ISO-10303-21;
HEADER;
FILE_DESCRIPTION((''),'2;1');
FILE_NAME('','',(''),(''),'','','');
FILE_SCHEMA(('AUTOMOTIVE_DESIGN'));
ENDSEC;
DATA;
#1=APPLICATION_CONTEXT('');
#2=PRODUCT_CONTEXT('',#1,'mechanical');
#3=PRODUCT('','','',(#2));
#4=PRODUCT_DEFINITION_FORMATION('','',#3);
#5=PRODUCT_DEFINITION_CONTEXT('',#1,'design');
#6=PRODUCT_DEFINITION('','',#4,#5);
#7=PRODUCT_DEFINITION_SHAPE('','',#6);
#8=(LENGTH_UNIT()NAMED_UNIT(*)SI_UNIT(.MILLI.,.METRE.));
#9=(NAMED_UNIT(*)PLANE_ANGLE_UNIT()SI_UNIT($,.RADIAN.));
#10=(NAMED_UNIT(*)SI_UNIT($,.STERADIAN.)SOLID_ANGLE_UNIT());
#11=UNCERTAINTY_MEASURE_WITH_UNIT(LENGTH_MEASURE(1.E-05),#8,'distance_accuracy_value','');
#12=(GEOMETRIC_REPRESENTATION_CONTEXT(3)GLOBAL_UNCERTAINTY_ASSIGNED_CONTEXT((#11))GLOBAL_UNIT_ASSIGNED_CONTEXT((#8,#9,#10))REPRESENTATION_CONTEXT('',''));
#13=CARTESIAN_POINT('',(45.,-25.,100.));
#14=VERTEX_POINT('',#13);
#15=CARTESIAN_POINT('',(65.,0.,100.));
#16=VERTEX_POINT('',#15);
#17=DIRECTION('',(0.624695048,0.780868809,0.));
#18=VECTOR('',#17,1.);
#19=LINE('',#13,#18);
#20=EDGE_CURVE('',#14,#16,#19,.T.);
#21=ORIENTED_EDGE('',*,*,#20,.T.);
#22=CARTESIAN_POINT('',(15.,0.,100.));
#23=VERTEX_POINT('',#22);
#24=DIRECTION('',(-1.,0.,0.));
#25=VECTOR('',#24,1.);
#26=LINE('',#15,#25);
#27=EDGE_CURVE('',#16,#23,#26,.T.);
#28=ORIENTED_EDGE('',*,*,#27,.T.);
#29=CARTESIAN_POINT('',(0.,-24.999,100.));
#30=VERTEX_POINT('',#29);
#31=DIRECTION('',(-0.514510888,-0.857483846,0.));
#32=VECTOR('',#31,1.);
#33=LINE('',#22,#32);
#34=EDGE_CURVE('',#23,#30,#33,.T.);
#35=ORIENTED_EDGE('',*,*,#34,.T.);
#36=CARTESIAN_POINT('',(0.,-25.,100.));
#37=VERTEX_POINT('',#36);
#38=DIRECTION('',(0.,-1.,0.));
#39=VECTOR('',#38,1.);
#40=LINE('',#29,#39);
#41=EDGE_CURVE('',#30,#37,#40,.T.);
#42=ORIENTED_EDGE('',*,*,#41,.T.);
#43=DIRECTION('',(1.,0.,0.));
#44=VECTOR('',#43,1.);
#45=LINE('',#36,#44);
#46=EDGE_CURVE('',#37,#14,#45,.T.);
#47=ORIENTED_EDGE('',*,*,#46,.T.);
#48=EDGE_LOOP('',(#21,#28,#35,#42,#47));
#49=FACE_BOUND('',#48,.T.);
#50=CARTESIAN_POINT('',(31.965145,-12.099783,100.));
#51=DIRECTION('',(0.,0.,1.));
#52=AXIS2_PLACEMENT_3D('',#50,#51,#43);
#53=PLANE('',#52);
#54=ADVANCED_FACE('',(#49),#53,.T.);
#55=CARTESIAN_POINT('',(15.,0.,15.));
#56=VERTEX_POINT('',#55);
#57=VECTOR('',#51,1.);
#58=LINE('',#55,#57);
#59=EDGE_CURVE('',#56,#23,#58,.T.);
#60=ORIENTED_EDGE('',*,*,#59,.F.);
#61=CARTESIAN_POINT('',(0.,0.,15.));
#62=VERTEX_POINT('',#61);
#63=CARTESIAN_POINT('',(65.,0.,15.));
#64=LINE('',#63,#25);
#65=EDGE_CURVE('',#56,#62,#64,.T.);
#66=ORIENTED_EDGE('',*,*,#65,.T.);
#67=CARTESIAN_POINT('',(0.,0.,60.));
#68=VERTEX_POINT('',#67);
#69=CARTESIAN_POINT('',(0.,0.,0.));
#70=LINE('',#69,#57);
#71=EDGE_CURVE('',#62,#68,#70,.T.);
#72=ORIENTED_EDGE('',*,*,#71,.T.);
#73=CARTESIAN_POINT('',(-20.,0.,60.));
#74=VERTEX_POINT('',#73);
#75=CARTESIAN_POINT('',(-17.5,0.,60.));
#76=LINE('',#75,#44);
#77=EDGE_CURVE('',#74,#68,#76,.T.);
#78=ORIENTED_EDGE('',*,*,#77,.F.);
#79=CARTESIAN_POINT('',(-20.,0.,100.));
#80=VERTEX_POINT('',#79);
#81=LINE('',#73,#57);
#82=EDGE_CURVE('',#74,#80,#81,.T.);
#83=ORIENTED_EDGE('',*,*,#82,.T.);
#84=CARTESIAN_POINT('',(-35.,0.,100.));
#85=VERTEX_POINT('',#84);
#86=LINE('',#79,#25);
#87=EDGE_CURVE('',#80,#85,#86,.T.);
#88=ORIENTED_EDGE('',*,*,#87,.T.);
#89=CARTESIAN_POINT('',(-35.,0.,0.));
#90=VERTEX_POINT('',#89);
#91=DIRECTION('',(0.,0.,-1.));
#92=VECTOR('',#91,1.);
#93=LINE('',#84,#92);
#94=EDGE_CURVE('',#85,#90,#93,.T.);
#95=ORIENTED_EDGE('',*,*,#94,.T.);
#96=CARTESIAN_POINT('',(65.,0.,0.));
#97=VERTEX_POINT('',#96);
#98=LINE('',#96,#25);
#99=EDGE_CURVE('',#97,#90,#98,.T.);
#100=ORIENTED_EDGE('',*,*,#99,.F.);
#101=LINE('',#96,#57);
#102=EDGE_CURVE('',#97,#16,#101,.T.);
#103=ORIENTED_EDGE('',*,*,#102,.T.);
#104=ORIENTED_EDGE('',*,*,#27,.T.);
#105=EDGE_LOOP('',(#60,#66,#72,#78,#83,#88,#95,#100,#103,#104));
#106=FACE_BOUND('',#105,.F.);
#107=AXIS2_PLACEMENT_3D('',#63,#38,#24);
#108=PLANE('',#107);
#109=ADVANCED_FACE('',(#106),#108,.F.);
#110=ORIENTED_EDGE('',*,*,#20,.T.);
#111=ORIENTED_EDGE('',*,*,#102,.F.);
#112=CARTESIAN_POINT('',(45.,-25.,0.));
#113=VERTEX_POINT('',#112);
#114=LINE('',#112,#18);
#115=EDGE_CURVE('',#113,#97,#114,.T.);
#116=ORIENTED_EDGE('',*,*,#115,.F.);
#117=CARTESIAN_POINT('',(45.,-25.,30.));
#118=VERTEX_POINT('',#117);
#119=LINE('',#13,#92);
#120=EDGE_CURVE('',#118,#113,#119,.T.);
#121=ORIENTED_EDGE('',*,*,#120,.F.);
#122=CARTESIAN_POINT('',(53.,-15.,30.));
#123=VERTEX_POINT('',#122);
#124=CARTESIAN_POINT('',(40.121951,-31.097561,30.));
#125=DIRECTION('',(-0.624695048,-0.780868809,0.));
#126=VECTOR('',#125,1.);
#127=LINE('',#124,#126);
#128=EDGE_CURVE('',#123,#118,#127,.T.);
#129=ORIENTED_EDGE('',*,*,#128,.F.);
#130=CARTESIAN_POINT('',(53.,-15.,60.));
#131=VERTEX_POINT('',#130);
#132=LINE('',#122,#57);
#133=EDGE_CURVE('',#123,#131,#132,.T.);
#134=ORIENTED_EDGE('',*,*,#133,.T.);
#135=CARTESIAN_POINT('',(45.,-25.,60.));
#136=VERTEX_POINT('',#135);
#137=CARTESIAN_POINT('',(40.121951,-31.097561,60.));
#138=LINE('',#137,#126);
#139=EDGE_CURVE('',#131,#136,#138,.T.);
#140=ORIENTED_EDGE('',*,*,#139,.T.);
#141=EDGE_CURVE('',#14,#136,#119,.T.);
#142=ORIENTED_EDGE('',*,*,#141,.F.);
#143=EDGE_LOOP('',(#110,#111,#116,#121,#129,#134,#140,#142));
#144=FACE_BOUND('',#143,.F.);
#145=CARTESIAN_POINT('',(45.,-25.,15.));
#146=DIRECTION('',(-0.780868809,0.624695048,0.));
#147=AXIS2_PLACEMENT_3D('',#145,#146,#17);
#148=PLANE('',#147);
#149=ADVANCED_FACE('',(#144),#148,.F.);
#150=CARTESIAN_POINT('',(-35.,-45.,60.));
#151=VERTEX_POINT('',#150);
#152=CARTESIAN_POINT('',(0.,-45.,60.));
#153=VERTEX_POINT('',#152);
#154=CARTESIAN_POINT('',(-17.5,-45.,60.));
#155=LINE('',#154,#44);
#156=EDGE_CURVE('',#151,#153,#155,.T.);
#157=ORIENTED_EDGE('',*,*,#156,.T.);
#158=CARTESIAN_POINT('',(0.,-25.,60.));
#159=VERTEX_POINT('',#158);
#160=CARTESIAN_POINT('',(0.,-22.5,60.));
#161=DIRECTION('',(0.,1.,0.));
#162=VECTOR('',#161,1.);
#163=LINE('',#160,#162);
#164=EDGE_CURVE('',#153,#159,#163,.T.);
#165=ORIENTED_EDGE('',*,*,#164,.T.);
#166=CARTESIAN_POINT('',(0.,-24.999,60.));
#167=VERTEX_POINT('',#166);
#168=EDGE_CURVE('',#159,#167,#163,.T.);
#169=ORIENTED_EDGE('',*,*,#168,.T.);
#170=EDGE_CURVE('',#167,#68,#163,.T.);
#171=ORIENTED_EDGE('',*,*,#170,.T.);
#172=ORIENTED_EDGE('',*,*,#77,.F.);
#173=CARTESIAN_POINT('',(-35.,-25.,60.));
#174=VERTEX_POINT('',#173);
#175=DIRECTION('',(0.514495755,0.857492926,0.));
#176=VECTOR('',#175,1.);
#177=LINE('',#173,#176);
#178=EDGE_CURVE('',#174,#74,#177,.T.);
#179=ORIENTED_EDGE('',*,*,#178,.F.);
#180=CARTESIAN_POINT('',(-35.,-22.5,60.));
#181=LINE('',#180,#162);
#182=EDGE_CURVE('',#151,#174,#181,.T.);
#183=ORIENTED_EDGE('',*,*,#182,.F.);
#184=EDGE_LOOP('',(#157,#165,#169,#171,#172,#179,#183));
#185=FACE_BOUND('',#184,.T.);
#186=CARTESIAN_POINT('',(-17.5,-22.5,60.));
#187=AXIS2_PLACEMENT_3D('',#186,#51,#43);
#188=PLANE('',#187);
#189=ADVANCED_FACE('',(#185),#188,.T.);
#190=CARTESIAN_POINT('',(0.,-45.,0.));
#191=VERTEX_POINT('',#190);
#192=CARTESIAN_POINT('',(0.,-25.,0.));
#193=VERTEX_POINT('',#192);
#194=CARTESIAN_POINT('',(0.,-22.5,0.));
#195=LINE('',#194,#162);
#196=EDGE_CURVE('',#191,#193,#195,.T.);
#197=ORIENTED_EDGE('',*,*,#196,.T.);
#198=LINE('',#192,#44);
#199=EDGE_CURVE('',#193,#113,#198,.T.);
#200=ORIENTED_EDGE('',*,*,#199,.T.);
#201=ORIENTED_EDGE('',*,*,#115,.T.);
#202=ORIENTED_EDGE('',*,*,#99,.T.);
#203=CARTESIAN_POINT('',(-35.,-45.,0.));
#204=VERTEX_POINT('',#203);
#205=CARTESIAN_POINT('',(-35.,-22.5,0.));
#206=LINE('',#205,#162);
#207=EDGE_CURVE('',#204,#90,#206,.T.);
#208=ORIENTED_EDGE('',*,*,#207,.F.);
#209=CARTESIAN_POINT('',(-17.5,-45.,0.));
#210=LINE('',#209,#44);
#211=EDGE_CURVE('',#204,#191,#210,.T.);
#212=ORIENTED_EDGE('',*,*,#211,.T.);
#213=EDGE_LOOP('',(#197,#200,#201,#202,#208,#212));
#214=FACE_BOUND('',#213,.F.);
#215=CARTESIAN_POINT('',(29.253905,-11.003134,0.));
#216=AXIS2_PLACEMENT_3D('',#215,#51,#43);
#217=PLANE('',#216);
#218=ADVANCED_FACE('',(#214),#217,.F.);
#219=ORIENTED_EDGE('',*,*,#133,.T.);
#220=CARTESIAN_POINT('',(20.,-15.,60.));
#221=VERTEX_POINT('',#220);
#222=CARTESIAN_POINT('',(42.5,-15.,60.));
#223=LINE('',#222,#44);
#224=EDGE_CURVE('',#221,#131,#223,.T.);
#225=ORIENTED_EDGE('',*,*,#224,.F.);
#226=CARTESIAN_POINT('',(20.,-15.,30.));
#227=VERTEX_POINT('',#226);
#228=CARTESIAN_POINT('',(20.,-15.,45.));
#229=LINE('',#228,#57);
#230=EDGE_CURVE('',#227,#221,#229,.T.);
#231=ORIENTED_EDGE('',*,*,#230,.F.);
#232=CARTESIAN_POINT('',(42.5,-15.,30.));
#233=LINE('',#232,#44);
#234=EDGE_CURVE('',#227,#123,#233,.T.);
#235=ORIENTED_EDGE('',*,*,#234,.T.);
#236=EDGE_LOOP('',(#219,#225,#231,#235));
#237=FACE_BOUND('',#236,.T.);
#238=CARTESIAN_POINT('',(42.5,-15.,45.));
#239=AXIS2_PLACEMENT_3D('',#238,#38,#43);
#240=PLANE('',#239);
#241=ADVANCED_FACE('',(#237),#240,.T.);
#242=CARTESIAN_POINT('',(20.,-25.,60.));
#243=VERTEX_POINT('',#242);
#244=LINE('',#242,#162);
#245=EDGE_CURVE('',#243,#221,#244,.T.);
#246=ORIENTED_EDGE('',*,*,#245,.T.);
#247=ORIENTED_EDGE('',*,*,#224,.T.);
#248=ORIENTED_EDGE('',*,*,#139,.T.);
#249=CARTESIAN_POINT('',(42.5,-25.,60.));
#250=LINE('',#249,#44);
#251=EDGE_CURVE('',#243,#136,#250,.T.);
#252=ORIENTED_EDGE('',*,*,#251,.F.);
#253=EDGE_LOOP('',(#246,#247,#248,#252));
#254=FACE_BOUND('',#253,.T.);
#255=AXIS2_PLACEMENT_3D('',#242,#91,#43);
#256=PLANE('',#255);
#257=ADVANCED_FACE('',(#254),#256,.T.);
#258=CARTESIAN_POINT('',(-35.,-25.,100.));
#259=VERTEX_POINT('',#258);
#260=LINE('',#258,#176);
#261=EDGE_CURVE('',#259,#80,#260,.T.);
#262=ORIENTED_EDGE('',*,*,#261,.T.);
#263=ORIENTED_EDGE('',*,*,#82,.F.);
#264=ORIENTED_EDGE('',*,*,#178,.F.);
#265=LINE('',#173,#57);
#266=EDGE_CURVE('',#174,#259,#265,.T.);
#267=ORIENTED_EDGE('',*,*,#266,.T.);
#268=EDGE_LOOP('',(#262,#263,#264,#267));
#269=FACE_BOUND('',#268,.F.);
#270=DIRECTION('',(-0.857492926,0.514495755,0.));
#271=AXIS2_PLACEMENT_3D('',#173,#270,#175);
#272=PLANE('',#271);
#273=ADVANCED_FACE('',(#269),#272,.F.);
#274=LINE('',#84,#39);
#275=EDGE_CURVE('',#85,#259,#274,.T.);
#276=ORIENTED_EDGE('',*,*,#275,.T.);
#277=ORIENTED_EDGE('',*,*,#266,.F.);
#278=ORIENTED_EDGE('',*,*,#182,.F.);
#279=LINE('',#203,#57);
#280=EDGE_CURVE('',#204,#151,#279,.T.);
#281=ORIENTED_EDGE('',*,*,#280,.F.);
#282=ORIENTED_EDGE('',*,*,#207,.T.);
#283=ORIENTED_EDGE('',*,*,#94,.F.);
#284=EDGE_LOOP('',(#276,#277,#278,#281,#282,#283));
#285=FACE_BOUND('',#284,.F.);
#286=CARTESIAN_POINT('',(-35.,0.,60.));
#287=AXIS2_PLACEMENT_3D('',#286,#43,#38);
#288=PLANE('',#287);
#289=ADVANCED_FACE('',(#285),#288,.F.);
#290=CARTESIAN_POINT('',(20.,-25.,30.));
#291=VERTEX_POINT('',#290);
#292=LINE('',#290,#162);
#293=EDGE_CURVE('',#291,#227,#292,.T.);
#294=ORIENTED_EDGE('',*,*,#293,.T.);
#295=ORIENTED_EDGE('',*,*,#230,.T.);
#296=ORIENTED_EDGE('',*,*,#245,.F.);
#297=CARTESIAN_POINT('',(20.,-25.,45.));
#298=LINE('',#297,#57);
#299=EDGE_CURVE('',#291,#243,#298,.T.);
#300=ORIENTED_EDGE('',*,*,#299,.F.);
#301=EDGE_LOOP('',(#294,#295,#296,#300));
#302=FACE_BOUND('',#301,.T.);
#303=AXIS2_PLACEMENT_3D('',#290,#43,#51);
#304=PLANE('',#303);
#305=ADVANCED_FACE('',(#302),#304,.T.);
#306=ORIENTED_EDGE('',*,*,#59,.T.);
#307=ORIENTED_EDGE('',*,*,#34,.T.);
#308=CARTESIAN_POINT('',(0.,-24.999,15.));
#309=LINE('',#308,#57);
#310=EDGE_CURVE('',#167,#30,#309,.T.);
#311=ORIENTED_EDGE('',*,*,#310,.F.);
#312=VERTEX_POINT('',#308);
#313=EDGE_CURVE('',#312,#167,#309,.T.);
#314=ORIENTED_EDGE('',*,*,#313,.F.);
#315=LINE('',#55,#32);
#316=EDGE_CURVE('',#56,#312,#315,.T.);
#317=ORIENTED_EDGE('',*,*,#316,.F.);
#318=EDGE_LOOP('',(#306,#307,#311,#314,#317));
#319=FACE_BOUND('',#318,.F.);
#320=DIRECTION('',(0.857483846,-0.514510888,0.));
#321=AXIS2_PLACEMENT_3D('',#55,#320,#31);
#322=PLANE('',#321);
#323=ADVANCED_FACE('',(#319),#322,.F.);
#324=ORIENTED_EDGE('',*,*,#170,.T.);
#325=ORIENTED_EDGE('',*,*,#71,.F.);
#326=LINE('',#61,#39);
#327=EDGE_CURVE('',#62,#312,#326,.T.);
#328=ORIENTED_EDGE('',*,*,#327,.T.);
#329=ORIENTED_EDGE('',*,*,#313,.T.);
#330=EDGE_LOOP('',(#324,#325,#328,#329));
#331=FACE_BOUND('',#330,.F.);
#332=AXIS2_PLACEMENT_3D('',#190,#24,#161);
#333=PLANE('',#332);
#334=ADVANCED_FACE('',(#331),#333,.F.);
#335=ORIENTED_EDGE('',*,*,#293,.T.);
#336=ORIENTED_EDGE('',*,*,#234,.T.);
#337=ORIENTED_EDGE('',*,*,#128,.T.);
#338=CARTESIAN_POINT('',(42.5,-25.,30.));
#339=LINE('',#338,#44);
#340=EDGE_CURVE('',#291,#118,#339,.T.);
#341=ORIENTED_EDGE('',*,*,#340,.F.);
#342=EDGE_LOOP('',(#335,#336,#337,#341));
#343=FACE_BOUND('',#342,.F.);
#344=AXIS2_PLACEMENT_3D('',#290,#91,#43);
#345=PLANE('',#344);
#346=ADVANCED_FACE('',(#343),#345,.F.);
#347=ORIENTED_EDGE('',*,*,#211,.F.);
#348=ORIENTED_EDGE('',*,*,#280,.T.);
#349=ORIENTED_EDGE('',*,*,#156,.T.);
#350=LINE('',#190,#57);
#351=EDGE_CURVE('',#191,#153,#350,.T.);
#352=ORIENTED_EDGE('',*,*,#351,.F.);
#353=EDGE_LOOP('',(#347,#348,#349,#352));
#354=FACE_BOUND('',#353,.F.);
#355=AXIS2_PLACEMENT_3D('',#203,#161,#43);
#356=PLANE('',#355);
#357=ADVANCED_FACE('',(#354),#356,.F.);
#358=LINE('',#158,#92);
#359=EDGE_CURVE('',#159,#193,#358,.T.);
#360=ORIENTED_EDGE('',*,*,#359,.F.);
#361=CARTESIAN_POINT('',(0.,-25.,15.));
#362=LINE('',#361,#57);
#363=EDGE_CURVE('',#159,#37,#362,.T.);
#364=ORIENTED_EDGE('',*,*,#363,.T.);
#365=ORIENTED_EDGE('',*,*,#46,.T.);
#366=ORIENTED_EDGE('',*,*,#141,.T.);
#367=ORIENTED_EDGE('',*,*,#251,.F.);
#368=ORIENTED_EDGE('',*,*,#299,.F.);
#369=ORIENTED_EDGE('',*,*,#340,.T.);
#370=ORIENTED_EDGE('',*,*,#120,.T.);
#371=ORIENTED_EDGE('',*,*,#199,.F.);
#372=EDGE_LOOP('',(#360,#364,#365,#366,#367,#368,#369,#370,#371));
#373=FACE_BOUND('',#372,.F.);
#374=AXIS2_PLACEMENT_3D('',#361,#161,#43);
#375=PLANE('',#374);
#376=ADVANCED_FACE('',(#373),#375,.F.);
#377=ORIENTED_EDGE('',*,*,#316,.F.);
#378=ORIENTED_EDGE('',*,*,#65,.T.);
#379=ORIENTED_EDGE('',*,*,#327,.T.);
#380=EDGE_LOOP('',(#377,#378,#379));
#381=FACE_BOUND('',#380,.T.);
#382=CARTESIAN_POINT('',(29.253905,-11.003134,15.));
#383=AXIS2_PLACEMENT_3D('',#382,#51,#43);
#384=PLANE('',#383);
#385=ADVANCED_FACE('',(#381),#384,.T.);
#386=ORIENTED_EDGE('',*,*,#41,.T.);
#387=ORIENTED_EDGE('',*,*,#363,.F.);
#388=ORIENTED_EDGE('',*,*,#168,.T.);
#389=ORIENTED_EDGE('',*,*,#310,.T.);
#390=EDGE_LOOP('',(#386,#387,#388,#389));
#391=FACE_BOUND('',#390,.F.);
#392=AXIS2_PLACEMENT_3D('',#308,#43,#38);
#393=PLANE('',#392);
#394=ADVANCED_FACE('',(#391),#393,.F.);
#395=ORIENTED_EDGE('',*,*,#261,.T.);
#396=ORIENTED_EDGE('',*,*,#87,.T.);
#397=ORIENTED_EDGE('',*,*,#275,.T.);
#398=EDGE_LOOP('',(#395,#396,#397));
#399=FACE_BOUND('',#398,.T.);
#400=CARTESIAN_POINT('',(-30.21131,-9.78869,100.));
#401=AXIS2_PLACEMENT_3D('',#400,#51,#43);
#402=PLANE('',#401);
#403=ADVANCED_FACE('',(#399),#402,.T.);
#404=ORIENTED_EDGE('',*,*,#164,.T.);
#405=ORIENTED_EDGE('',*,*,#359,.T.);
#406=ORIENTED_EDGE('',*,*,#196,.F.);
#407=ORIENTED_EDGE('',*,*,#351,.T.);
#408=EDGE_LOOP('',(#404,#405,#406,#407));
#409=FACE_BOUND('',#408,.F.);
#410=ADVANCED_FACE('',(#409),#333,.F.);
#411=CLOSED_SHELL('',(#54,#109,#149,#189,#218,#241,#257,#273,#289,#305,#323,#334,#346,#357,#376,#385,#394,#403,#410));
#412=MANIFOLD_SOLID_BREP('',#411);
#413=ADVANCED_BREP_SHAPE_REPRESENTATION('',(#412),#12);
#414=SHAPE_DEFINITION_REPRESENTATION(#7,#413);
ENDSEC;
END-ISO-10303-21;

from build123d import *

# Parameters (mm, degrees)
F0_W      = 35
F0_H      = 45
F1_DEPTH  = 60
F3_DEPTH  = 40
F5_DEPTH  = 15
F8_DEPTH  = 85
F9_W      = 45
F9_H      = 30
F10_DEPTH = 10


with BuildPart() as f1:
    # F0 (on Top) → F1 (new body)
    with BuildSketch(Plane.XY):
        with Locations((-17.5, -22.5)):
            Rectangle(F0_W, F0_H)
    extrude(amount=F1_DEPTH)

    # F2 (on face) → F3 (join)
    with BuildSketch(Plane.XY.offset(60)):
        Polygon((-35, -25), (-20, 0), (-35, 0), align=None)
    extrude(amount=F3_DEPTH)

    # F4 (on Top) → F5 (join)
    with BuildSketch(Plane.XY):
        Polygon((65, 0), (0, 0), (0, -25), (45, -25), align=None)
    extrude(amount=F5_DEPTH)

    # F7 (on face) → F8 (join, through all)
    with BuildSketch(Plane.XY.offset(15)):
        Polygon((45, -25), (65, 0), (15, 0), (0, -24.999), (0, -25), align=None)
    extrude(amount=F8_DEPTH)

    # F9 (on face) → F10 (cut)
    with BuildSketch(Plane.XZ.offset(25)):
        with Locations((42.5, 45)):
            Rectangle(F9_W, F9_H)
    extrude(amount=-F10_DEPTH, mode=Mode.SUBTRACT)


solid = f1.part
